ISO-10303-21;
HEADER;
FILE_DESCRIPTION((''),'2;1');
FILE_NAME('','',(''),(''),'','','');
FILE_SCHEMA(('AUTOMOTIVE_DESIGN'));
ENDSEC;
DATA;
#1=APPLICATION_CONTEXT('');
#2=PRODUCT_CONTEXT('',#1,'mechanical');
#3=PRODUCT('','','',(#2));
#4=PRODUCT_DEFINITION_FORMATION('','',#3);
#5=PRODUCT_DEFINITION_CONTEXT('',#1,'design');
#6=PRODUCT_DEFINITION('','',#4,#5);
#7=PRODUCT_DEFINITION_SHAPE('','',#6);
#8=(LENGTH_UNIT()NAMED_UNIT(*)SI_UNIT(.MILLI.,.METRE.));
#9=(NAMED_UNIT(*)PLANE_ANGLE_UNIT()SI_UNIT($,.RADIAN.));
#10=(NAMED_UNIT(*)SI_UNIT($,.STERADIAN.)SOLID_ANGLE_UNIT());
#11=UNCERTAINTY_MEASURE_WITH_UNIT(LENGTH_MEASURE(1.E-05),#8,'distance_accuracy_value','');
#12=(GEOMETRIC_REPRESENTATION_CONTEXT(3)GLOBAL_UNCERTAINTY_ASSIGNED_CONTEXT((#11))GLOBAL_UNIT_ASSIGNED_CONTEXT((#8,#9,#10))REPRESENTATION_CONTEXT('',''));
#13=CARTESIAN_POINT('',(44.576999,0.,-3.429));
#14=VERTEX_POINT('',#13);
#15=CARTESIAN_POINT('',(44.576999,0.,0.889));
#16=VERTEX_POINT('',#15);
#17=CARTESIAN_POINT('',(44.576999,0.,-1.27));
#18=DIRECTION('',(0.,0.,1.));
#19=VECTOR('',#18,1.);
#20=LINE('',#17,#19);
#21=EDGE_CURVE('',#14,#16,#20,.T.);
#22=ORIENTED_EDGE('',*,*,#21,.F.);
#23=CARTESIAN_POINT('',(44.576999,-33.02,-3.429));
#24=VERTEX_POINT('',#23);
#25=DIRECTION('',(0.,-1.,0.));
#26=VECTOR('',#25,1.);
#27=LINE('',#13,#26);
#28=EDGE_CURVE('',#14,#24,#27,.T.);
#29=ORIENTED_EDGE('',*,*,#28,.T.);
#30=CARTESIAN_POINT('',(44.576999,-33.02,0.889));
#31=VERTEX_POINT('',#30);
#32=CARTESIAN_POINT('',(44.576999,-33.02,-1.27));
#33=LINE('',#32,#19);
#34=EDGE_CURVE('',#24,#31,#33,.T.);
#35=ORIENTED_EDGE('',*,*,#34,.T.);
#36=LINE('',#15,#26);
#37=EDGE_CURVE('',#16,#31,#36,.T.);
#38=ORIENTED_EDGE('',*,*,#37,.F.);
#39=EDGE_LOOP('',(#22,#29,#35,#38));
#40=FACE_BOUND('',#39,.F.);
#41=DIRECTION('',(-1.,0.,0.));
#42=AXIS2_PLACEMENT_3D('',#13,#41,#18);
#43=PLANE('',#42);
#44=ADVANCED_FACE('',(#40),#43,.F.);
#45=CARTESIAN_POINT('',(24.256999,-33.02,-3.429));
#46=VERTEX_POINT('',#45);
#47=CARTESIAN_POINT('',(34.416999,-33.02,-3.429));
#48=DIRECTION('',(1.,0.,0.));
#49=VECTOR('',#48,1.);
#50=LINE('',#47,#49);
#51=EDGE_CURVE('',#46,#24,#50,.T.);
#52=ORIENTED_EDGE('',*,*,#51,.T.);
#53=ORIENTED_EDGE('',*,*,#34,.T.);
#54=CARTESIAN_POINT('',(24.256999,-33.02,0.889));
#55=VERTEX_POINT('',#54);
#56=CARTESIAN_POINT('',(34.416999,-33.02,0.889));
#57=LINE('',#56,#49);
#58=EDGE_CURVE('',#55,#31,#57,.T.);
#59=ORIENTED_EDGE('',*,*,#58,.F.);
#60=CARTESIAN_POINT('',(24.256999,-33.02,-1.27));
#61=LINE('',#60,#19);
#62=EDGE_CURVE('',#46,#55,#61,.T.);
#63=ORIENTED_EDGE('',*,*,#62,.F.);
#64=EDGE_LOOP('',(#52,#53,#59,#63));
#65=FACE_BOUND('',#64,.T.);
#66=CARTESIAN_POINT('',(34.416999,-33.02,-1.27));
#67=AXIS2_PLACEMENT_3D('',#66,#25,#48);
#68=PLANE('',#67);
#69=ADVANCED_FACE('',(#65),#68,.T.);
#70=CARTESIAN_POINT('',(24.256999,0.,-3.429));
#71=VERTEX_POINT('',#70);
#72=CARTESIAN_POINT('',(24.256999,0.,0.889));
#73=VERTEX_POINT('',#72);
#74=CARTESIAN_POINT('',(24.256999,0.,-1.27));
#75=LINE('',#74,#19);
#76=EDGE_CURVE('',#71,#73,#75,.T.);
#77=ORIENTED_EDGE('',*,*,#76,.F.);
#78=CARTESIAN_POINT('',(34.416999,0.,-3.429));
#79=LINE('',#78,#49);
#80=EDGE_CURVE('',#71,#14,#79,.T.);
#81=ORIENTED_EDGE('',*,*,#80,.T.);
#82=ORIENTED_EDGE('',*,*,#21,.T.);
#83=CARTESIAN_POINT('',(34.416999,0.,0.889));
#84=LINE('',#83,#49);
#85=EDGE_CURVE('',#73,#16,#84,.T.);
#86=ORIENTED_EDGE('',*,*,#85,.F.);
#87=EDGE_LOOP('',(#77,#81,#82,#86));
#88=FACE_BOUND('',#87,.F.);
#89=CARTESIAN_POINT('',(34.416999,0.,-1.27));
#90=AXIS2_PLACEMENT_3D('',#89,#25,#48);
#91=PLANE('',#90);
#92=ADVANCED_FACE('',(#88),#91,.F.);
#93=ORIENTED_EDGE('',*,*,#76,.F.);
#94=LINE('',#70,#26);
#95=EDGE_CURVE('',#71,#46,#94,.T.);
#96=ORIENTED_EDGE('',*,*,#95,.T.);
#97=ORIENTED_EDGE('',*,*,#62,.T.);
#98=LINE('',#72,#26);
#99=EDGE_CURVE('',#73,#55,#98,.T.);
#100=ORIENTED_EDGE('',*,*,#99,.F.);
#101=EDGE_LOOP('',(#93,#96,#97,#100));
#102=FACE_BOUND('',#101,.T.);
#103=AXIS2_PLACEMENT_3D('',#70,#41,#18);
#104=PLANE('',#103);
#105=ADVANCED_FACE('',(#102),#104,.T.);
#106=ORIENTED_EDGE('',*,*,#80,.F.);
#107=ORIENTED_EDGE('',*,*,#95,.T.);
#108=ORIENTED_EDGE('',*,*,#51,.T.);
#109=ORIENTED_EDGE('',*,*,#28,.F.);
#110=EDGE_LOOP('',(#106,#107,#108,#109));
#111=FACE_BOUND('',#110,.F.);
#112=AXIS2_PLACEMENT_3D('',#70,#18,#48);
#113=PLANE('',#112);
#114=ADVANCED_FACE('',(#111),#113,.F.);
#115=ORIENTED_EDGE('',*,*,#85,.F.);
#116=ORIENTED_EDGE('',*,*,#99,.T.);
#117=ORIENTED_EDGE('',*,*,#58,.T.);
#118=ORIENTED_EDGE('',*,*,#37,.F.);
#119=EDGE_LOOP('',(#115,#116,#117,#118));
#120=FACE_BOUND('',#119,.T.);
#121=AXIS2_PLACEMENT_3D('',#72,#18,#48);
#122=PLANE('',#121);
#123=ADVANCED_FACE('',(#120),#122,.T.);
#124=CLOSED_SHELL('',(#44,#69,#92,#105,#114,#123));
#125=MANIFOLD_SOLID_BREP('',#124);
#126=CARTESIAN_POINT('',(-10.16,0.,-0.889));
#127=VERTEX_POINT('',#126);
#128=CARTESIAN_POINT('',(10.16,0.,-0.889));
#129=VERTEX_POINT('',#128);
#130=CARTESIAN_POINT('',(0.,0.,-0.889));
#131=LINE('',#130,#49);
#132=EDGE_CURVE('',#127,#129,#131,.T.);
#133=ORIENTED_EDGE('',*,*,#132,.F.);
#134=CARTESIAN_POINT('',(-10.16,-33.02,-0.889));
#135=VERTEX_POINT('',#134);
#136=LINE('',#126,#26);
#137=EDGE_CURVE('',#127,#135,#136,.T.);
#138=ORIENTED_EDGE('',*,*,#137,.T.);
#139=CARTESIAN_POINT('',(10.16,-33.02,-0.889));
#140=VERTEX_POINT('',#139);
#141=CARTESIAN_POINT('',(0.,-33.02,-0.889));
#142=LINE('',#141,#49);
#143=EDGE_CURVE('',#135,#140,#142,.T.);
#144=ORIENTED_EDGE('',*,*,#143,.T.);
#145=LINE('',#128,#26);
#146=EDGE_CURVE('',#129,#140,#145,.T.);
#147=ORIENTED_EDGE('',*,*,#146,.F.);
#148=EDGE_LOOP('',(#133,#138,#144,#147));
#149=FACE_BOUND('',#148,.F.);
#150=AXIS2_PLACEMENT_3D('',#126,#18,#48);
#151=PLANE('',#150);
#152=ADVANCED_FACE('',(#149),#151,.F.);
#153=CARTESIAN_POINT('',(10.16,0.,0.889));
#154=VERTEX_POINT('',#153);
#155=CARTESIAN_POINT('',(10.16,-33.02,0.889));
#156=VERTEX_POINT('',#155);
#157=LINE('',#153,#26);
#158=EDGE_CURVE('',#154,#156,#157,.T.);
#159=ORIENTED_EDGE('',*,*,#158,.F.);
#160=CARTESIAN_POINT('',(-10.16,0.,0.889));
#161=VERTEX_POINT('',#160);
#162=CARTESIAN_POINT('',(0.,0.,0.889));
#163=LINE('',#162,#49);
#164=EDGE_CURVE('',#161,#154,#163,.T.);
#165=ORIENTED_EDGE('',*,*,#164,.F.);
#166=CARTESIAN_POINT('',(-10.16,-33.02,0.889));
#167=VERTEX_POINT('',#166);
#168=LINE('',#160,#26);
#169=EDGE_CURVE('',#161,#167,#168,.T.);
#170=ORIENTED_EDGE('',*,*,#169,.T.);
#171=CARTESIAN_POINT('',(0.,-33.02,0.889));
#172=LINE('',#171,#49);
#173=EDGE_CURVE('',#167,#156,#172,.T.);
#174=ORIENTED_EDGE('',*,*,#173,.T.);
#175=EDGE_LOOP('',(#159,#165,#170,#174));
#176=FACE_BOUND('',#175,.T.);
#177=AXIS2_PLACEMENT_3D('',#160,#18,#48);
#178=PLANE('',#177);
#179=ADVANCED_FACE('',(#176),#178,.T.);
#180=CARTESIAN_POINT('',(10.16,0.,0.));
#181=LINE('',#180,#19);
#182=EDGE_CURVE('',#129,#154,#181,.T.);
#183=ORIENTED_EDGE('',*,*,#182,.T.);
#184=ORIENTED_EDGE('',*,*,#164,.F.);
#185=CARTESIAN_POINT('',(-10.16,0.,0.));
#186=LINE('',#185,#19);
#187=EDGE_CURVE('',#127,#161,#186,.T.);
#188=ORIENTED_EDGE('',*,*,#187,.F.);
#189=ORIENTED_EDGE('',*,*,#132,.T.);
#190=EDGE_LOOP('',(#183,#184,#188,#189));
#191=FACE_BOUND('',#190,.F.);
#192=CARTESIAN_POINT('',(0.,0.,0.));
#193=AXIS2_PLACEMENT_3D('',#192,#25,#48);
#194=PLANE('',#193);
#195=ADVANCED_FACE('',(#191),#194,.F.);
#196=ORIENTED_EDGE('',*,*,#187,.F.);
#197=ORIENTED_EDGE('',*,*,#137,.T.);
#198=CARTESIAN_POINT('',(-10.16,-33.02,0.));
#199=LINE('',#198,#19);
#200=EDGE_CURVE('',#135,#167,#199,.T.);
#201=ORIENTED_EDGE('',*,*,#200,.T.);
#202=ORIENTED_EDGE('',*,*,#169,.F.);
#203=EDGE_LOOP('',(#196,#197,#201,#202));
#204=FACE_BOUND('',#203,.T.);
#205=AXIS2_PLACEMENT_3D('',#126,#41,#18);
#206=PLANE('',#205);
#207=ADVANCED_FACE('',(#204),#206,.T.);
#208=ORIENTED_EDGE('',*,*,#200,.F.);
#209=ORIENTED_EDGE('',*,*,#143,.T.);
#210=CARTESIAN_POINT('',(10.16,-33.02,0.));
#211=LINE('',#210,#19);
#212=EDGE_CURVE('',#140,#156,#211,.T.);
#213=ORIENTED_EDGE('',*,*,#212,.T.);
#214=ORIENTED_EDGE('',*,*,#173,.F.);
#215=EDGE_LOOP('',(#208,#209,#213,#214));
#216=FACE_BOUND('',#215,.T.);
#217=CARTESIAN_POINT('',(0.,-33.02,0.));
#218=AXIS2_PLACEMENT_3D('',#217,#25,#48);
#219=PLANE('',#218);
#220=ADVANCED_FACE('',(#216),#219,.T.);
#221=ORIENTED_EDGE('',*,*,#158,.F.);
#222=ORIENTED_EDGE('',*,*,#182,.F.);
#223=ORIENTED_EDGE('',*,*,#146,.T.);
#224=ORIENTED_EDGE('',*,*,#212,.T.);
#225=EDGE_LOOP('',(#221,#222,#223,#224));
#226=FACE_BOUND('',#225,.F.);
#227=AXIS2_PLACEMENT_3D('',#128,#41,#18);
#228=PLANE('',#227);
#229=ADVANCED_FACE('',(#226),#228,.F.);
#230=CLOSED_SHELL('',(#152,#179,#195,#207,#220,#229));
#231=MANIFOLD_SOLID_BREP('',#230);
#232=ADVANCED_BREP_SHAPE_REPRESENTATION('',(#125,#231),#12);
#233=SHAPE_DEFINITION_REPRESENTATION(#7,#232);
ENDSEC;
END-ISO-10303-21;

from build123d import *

# Parameters (mm, degrees)
F0_W     = 20.32
F0_H     = 1.778
F1_DEPTH = 33.02
F0_H_2   = 4.318
F2_DEPTH = 33.02


with BuildPart() as f1:
    # F0 (on Front) → F1 (new body)
    with BuildSketch(Plane.XZ):
        Rectangle(F0_W, F0_H)
    extrude(amount=F1_DEPTH)

    # F0 (on Front) → F2 (join)
    with BuildSketch(Plane.XZ):
        Rectangle(F0_W, F0_H)
        with Locations((34.416999, -1.27)):
            Rectangle(F0_W, F0_H_2)
    extrude(amount=F2_DEPTH)


solid = f1.part
